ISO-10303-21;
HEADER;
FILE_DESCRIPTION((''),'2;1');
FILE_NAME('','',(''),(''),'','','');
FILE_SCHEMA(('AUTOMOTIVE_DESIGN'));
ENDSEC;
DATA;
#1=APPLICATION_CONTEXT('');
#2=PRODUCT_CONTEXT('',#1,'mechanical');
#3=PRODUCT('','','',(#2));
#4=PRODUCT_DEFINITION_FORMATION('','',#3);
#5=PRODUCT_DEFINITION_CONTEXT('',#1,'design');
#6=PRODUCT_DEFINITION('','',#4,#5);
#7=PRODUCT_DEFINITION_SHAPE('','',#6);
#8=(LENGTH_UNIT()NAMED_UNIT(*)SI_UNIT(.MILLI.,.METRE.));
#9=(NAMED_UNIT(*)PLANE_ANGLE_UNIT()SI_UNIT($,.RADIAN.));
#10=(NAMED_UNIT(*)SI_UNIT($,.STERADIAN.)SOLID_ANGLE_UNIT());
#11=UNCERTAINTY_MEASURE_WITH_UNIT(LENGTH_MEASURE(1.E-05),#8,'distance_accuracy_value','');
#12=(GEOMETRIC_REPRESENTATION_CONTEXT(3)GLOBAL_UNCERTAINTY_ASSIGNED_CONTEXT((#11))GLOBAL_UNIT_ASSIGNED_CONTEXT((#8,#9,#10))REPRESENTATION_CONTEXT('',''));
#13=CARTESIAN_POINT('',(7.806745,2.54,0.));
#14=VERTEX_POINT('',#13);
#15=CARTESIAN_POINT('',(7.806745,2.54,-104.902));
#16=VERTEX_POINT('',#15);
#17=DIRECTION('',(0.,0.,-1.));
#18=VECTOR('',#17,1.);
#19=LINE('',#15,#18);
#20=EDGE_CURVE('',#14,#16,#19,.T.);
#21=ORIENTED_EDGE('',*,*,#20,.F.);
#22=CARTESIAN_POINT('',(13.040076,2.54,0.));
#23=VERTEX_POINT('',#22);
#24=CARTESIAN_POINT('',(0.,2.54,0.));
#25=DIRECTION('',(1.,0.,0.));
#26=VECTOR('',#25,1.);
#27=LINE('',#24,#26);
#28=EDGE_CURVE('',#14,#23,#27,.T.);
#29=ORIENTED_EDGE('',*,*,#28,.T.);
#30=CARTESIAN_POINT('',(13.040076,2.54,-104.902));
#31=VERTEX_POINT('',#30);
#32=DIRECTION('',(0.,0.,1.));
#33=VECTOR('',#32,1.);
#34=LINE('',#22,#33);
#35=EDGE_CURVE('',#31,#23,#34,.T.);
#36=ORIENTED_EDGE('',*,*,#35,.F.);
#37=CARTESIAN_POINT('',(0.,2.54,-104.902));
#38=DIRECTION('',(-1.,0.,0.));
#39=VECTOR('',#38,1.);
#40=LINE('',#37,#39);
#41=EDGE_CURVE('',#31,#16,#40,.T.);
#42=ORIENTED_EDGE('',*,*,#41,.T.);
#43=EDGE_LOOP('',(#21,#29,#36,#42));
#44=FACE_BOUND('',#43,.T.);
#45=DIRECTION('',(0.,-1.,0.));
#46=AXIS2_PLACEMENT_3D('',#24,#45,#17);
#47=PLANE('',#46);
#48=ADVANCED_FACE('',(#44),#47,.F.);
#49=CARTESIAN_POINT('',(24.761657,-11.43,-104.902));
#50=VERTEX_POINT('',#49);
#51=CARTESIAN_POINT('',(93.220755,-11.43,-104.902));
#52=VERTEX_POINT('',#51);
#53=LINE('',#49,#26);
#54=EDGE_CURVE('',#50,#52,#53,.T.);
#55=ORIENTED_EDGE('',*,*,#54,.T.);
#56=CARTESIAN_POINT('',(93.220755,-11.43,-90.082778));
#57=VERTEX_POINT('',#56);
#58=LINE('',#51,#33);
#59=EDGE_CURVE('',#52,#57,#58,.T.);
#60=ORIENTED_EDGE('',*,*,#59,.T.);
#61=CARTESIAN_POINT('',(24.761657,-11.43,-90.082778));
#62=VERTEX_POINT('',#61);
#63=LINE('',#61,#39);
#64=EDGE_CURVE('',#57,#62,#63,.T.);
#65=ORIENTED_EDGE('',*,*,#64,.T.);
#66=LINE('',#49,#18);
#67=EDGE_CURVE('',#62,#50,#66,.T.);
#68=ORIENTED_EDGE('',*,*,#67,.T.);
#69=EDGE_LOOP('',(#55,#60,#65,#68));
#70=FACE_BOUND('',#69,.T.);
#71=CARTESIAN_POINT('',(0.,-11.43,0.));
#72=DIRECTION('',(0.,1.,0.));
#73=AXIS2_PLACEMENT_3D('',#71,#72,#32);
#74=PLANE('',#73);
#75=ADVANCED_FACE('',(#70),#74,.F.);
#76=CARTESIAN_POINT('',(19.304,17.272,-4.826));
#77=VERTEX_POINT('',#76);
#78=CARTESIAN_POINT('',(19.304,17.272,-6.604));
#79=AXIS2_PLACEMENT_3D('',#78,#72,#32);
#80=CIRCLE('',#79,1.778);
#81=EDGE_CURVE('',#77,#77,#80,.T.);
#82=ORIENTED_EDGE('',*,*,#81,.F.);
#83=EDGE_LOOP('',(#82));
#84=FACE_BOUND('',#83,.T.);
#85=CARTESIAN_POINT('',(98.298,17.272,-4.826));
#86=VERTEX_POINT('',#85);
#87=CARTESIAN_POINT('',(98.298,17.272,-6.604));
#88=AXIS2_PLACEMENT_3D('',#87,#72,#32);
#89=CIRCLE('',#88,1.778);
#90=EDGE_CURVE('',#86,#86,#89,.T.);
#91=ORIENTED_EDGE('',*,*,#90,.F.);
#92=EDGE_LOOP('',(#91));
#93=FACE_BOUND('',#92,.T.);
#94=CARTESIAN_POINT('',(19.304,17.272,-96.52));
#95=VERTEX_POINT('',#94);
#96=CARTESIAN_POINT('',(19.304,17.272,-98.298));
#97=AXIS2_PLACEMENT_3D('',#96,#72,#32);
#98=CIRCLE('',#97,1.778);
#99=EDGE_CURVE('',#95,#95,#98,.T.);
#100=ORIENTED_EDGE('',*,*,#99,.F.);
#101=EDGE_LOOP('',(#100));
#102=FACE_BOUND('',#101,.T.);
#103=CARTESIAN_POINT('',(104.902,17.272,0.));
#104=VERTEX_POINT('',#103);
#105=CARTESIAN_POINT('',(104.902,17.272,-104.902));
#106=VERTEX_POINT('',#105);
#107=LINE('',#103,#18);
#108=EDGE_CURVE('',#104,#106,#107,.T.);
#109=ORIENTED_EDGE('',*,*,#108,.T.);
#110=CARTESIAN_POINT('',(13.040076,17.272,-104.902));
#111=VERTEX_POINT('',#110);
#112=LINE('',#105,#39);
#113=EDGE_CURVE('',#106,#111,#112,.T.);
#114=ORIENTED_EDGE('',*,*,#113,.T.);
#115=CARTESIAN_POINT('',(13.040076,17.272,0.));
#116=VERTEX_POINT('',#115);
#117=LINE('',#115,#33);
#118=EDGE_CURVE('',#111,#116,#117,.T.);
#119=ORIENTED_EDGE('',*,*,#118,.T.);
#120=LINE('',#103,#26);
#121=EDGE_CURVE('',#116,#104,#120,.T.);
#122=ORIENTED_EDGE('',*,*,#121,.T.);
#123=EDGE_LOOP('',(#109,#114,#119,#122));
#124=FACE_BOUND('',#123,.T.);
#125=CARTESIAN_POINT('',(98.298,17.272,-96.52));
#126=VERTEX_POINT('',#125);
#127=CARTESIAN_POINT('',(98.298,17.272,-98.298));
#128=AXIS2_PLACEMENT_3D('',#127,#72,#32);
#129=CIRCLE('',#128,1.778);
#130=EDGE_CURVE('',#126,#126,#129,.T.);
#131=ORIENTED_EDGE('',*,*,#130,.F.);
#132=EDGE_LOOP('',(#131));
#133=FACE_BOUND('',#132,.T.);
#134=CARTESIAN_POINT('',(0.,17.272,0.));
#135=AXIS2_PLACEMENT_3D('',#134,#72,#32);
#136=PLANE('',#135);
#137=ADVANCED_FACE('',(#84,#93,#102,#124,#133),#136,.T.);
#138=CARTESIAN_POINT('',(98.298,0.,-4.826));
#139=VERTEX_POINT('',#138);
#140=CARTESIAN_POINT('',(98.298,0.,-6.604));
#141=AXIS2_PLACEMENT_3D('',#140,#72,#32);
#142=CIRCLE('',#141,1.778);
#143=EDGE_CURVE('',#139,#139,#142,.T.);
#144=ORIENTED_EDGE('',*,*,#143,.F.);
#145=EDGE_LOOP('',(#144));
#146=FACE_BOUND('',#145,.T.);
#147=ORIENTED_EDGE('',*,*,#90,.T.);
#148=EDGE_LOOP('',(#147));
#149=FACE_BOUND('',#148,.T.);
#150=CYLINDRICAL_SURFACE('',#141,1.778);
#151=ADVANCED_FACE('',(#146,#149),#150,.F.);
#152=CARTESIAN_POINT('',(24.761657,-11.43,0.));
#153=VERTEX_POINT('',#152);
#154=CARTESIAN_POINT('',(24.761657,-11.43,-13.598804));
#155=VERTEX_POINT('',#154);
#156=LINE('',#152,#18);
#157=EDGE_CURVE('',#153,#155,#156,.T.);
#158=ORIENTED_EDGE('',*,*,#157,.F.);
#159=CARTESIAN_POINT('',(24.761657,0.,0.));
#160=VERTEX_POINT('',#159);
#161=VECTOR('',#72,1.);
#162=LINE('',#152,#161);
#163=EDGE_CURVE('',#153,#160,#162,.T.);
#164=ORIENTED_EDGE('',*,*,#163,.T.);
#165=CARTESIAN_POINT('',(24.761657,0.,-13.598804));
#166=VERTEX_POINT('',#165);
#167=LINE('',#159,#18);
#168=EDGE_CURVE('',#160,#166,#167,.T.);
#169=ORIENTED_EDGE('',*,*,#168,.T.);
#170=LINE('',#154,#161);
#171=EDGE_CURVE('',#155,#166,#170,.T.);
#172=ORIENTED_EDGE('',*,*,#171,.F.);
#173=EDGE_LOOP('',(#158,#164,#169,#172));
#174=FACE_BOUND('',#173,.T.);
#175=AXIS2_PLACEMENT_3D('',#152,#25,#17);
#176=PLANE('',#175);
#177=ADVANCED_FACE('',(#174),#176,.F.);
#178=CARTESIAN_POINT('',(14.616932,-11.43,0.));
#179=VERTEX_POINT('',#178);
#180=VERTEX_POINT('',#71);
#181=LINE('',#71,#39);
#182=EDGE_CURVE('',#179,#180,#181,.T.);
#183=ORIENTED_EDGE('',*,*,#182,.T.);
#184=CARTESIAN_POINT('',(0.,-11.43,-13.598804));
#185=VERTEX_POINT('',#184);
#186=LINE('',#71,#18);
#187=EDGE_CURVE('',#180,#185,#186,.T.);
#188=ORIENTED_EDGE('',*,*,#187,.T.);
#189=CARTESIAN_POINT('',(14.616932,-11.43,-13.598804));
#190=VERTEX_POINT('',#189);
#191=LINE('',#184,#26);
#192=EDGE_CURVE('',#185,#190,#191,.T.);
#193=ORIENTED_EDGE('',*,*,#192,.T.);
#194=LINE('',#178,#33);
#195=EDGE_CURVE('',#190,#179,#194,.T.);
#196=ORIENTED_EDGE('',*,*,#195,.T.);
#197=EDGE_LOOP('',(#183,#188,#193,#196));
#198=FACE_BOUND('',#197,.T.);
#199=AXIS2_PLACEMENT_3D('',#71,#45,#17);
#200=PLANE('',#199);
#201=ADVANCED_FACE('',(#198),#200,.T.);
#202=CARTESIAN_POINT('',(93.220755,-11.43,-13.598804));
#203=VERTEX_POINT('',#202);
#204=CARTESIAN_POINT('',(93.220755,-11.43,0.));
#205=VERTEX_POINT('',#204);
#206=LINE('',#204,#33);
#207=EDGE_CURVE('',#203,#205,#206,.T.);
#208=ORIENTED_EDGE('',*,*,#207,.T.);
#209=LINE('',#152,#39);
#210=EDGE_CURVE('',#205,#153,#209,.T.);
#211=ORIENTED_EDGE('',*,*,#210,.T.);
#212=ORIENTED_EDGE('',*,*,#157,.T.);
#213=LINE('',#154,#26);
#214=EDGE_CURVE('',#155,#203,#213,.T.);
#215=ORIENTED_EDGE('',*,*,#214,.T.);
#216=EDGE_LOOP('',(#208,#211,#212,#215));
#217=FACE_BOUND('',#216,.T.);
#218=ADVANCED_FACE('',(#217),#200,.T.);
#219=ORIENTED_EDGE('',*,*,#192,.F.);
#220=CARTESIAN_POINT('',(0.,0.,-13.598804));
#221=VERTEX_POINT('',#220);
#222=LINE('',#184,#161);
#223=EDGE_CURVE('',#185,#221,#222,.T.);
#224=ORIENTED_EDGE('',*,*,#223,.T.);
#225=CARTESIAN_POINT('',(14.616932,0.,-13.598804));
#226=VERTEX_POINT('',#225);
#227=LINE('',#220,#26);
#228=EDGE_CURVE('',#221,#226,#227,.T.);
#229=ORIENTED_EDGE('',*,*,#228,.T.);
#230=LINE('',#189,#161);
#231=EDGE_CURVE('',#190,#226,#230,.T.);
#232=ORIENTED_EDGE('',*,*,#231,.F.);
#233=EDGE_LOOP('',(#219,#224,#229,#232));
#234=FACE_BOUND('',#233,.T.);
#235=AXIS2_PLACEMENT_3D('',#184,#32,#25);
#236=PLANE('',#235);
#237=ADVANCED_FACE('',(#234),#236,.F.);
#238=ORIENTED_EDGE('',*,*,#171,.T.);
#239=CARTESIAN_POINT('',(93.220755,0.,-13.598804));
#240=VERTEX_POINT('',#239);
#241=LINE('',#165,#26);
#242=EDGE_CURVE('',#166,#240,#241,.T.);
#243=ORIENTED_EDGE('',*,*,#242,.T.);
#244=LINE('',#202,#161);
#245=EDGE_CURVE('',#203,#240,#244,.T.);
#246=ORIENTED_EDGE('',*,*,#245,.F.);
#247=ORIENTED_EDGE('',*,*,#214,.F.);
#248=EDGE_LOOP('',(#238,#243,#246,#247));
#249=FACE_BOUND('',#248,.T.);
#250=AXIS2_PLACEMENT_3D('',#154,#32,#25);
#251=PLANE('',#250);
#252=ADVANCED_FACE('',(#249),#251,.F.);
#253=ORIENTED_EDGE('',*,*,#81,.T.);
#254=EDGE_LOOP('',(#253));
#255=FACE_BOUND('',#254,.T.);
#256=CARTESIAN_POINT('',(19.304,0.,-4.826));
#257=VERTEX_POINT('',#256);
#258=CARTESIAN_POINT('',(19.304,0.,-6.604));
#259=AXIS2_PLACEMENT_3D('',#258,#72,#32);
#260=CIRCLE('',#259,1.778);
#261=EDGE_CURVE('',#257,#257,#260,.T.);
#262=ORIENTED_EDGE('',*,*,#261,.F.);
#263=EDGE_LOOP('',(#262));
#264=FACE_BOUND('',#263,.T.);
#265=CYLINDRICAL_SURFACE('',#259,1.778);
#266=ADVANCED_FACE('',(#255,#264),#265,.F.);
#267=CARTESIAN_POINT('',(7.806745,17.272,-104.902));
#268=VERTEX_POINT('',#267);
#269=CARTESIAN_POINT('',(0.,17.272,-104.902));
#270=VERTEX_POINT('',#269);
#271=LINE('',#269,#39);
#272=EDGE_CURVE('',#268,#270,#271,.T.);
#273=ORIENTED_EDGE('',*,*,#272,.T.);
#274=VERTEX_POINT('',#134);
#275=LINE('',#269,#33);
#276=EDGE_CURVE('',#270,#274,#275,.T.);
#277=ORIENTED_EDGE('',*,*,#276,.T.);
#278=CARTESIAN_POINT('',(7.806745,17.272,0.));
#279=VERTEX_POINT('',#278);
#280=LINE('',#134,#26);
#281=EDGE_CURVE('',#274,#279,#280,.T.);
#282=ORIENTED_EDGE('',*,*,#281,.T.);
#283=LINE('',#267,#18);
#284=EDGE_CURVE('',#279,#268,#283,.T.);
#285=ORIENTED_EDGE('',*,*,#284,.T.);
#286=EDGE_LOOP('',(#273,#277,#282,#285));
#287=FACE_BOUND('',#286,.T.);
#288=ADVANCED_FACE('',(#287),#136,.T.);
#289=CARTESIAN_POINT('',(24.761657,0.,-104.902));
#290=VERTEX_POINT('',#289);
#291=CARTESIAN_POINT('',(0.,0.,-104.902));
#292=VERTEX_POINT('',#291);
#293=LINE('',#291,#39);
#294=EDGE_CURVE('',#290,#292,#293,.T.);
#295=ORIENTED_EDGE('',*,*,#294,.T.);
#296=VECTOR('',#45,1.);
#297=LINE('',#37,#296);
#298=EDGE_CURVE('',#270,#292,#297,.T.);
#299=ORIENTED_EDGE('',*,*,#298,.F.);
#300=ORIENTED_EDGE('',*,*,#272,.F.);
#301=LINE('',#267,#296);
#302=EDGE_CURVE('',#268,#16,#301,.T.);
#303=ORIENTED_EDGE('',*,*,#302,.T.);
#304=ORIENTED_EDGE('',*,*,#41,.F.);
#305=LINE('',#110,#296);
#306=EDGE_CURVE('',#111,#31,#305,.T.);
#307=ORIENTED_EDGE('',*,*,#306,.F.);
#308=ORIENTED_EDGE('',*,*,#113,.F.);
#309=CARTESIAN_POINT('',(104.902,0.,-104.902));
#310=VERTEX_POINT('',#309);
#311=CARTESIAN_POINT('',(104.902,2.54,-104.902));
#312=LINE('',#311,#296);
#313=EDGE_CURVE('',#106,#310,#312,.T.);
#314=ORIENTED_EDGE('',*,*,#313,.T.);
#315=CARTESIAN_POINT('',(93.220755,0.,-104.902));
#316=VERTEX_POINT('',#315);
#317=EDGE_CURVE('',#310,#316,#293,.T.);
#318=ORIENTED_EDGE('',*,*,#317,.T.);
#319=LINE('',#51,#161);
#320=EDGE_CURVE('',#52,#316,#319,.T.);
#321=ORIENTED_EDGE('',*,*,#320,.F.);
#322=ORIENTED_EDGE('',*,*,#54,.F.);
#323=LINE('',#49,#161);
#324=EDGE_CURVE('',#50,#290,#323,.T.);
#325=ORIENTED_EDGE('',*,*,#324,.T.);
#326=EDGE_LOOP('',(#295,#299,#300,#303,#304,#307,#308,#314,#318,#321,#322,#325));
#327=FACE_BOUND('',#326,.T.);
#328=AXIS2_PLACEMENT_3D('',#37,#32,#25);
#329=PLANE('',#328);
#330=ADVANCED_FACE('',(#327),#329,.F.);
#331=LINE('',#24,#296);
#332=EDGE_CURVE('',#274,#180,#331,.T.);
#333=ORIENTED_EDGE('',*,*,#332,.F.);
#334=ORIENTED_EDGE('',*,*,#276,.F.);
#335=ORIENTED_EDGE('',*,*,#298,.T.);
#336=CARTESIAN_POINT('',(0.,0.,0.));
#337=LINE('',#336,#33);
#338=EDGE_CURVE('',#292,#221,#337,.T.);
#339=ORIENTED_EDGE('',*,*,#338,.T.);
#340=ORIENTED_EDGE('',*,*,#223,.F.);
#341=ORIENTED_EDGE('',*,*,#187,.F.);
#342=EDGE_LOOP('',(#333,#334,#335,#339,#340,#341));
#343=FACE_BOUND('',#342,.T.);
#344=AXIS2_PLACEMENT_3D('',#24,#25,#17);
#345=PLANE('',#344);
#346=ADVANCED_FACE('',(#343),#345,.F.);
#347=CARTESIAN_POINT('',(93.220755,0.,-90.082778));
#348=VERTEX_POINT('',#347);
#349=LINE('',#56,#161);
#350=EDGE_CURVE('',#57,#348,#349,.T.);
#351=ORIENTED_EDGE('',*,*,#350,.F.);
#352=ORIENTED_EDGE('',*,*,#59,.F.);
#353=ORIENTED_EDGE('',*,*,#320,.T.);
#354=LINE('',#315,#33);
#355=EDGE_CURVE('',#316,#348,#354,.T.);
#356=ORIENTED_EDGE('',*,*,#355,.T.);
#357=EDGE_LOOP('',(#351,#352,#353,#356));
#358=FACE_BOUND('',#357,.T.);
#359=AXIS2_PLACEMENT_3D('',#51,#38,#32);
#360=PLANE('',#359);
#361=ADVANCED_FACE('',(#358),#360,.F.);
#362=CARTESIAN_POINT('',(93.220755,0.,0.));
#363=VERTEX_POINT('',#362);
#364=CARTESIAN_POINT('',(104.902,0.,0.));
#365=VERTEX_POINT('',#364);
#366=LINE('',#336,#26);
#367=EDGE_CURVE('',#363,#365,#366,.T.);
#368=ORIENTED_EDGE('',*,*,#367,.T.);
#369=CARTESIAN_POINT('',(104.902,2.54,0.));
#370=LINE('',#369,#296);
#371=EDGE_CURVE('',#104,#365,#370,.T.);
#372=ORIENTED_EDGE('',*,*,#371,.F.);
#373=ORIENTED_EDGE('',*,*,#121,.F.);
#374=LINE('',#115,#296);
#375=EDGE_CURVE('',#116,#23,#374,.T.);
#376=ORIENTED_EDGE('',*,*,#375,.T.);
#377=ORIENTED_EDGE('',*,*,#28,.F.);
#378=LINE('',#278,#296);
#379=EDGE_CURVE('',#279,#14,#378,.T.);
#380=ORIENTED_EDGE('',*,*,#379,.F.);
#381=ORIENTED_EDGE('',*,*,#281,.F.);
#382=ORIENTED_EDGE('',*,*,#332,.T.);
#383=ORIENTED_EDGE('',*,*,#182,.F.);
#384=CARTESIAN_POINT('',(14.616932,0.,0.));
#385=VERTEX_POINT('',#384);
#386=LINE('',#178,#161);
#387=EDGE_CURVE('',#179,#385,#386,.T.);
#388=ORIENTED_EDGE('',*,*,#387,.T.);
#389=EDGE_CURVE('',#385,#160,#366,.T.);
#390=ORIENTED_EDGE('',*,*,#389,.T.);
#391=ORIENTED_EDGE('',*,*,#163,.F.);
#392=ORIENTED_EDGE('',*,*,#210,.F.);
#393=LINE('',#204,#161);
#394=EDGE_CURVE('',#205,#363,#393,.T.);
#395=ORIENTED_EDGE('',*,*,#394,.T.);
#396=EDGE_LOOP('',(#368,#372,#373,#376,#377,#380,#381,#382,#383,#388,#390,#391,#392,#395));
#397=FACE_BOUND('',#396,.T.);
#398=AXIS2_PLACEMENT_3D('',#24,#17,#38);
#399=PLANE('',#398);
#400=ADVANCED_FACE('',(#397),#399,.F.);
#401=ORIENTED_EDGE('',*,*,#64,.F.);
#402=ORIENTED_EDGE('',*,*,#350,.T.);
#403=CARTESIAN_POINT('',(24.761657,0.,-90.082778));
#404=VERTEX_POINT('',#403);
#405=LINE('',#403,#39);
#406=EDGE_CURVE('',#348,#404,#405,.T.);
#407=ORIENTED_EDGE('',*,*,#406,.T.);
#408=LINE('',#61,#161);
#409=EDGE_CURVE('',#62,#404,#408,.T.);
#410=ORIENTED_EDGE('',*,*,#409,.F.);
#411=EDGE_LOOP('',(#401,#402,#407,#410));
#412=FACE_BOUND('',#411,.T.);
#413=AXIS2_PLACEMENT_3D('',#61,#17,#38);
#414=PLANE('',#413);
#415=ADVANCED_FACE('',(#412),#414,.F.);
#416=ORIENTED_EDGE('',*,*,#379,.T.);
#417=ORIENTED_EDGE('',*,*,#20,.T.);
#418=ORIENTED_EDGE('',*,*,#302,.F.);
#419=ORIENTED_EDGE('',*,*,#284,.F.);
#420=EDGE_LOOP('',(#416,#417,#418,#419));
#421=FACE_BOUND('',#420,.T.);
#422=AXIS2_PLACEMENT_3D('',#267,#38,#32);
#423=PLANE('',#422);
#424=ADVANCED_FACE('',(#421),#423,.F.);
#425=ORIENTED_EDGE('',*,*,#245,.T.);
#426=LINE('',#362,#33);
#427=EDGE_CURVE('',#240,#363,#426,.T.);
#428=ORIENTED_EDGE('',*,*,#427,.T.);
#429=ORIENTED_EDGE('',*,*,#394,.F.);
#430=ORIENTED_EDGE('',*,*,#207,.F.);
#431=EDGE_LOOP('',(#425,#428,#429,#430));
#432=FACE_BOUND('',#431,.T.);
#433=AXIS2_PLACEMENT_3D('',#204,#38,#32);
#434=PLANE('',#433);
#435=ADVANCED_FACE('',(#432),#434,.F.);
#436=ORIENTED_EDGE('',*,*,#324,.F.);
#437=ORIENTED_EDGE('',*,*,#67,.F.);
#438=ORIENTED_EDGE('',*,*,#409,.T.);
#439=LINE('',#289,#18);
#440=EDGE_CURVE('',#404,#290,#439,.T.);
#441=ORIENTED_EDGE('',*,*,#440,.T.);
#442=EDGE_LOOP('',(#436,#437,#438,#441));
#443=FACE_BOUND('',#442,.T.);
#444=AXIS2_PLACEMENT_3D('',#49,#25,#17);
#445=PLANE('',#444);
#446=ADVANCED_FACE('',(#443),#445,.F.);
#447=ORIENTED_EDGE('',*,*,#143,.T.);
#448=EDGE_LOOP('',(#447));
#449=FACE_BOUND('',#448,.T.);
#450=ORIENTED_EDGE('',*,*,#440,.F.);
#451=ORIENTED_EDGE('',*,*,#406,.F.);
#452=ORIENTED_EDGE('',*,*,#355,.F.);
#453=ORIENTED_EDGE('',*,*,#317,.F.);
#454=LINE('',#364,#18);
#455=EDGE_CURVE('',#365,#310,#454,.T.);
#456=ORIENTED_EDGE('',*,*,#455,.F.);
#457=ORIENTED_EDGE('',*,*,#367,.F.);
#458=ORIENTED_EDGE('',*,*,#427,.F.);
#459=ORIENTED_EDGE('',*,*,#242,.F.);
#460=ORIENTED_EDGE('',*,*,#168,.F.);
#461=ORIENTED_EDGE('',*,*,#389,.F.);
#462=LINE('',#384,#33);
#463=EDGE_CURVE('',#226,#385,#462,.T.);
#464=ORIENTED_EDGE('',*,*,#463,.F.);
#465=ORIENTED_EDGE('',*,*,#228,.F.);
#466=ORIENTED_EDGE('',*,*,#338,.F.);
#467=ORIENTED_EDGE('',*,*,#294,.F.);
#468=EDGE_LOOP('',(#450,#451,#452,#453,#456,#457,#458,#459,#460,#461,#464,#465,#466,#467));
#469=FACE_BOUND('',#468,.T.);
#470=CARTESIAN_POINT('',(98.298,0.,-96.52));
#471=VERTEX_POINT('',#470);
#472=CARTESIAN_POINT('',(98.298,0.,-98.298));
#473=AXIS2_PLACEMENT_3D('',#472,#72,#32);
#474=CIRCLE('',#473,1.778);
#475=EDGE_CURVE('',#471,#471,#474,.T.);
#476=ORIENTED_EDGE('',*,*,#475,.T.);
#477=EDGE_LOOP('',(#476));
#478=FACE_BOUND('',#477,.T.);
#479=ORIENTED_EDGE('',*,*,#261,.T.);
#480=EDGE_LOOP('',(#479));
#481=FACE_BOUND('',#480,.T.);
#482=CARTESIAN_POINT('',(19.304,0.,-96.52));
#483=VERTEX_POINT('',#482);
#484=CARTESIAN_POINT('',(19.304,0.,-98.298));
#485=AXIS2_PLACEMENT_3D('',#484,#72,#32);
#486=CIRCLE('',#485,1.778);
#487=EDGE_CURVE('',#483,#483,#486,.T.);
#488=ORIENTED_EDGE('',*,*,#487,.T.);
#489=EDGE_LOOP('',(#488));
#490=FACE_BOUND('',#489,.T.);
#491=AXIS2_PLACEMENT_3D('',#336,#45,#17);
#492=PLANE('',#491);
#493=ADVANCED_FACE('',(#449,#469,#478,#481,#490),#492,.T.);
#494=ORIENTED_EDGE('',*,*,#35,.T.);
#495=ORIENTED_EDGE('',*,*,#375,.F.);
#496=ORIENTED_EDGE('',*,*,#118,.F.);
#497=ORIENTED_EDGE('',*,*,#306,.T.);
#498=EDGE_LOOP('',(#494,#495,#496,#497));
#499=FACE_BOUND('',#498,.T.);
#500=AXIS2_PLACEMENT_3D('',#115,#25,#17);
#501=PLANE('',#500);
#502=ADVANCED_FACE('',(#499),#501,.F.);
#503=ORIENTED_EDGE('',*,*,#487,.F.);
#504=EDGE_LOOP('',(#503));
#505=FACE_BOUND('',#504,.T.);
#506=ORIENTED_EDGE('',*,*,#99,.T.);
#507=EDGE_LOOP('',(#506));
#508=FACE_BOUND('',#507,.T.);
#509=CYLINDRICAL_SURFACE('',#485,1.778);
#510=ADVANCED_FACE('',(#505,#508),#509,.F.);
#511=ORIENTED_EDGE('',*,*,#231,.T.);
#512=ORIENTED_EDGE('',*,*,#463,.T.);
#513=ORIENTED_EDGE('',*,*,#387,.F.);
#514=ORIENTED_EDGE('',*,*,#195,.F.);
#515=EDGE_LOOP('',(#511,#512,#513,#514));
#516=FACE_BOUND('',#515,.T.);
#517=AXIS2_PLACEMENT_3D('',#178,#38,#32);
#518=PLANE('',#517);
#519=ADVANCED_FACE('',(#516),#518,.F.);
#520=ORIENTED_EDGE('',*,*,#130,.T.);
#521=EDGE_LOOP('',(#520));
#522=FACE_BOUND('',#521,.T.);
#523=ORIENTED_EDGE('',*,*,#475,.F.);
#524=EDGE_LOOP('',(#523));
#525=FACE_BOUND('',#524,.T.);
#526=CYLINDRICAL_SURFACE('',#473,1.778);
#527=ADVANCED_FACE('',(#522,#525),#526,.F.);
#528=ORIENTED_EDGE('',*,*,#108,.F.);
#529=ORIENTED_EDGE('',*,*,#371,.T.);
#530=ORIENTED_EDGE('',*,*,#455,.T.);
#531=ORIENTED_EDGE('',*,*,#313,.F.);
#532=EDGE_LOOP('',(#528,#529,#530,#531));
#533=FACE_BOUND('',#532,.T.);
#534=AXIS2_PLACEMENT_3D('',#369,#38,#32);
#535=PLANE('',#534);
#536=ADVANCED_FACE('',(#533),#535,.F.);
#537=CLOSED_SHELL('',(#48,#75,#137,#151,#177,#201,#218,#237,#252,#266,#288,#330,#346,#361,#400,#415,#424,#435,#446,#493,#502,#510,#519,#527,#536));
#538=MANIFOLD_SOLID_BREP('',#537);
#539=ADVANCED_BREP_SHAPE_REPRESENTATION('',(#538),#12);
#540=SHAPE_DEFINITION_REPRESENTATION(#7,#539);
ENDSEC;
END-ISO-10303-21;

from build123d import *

# Parameters (mm, degrees)
SKETCH1_W           = 104.902
SKETCH1_H           = 104.902
BOSS_EXTRUDE1_DEPTH = 2.54
SKETCH2_W           = 91.861923629
SKETCH2_H           = 104.902
SKETCH2_W_2         = 7.806745179
BOSS_EXTRUDE2_DEPTH = 14.732
SKETCH3_R           = 1.778
CUT_EXTRUDE1_DEPTH  = 18.272
SKETCH4_W           = 68.459098584
SKETCH4_H           = 14.819221787
SKETCH4_H_2         = 13.598803865
SKETCH4_W_2         = 14.616932407
BOSS_EXTRUDE3_DEPTH = 11.43


with BuildPart() as part:
    # Sketch1 → Boss-Extrude1 (new body)
    with BuildSketch(Plane(origin=(0, 0, 0), x_dir=(1, 0, 0), z_dir=(0, 1, 0))):
        with Locations((52.451, 52.451)):
            Rectangle(SKETCH1_W, SKETCH1_H)
    extrude(amount=BOSS_EXTRUDE1_DEPTH)

    # Sketch2 → Boss-Extrude2 (add)
    with BuildSketch(Plane(origin=(0, 2.54, 0), x_dir=(1, 0, 0), z_dir=(0, 1, 0))):
        with Locations((58.971038185, 52.451)):
            Rectangle(SKETCH2_W, SKETCH2_H)
        with Locations((3.90337259, 52.451)):
            Rectangle(SKETCH2_W_2, SKETCH2_H)
    extrude(amount=BOSS_EXTRUDE2_DEPTH)

    # Sketch3 → Cut-Extrude1 (cut, through all)
    with BuildSketch(Plane(origin=(0, 17.272, 0), x_dir=(1, 0, 0), z_dir=(0, 1, 0))):
        with Locations((98.298, 6.604)):
            Circle(SKETCH3_R)
        with Locations((98.298, 98.298)):
            Circle(SKETCH3_R)
        with Locations((19.304, 6.604)):
            Circle(SKETCH3_R)
        with Locations((19.304, 98.298)):
            Circle(SKETCH3_R)
    extrude(amount=-CUT_EXTRUDE1_DEPTH, mode=Mode.SUBTRACT)

    # Sketch4 → Boss-Extrude3 (add)
    with BuildSketch(Plane.XZ):
        with Locations((58.99120595, -97.492389107)):
            Rectangle(SKETCH4_W, SKETCH4_H)
        with Locations((58.99120595, -6.799401933)):
            Rectangle(SKETCH4_W, SKETCH4_H_2)
        with Locations((7.308466204, -6.799401933)):
            Rectangle(SKETCH4_W_2, SKETCH4_H_2)
    extrude(amount=BOSS_EXTRUDE3_DEPTH)


solid = part.part
